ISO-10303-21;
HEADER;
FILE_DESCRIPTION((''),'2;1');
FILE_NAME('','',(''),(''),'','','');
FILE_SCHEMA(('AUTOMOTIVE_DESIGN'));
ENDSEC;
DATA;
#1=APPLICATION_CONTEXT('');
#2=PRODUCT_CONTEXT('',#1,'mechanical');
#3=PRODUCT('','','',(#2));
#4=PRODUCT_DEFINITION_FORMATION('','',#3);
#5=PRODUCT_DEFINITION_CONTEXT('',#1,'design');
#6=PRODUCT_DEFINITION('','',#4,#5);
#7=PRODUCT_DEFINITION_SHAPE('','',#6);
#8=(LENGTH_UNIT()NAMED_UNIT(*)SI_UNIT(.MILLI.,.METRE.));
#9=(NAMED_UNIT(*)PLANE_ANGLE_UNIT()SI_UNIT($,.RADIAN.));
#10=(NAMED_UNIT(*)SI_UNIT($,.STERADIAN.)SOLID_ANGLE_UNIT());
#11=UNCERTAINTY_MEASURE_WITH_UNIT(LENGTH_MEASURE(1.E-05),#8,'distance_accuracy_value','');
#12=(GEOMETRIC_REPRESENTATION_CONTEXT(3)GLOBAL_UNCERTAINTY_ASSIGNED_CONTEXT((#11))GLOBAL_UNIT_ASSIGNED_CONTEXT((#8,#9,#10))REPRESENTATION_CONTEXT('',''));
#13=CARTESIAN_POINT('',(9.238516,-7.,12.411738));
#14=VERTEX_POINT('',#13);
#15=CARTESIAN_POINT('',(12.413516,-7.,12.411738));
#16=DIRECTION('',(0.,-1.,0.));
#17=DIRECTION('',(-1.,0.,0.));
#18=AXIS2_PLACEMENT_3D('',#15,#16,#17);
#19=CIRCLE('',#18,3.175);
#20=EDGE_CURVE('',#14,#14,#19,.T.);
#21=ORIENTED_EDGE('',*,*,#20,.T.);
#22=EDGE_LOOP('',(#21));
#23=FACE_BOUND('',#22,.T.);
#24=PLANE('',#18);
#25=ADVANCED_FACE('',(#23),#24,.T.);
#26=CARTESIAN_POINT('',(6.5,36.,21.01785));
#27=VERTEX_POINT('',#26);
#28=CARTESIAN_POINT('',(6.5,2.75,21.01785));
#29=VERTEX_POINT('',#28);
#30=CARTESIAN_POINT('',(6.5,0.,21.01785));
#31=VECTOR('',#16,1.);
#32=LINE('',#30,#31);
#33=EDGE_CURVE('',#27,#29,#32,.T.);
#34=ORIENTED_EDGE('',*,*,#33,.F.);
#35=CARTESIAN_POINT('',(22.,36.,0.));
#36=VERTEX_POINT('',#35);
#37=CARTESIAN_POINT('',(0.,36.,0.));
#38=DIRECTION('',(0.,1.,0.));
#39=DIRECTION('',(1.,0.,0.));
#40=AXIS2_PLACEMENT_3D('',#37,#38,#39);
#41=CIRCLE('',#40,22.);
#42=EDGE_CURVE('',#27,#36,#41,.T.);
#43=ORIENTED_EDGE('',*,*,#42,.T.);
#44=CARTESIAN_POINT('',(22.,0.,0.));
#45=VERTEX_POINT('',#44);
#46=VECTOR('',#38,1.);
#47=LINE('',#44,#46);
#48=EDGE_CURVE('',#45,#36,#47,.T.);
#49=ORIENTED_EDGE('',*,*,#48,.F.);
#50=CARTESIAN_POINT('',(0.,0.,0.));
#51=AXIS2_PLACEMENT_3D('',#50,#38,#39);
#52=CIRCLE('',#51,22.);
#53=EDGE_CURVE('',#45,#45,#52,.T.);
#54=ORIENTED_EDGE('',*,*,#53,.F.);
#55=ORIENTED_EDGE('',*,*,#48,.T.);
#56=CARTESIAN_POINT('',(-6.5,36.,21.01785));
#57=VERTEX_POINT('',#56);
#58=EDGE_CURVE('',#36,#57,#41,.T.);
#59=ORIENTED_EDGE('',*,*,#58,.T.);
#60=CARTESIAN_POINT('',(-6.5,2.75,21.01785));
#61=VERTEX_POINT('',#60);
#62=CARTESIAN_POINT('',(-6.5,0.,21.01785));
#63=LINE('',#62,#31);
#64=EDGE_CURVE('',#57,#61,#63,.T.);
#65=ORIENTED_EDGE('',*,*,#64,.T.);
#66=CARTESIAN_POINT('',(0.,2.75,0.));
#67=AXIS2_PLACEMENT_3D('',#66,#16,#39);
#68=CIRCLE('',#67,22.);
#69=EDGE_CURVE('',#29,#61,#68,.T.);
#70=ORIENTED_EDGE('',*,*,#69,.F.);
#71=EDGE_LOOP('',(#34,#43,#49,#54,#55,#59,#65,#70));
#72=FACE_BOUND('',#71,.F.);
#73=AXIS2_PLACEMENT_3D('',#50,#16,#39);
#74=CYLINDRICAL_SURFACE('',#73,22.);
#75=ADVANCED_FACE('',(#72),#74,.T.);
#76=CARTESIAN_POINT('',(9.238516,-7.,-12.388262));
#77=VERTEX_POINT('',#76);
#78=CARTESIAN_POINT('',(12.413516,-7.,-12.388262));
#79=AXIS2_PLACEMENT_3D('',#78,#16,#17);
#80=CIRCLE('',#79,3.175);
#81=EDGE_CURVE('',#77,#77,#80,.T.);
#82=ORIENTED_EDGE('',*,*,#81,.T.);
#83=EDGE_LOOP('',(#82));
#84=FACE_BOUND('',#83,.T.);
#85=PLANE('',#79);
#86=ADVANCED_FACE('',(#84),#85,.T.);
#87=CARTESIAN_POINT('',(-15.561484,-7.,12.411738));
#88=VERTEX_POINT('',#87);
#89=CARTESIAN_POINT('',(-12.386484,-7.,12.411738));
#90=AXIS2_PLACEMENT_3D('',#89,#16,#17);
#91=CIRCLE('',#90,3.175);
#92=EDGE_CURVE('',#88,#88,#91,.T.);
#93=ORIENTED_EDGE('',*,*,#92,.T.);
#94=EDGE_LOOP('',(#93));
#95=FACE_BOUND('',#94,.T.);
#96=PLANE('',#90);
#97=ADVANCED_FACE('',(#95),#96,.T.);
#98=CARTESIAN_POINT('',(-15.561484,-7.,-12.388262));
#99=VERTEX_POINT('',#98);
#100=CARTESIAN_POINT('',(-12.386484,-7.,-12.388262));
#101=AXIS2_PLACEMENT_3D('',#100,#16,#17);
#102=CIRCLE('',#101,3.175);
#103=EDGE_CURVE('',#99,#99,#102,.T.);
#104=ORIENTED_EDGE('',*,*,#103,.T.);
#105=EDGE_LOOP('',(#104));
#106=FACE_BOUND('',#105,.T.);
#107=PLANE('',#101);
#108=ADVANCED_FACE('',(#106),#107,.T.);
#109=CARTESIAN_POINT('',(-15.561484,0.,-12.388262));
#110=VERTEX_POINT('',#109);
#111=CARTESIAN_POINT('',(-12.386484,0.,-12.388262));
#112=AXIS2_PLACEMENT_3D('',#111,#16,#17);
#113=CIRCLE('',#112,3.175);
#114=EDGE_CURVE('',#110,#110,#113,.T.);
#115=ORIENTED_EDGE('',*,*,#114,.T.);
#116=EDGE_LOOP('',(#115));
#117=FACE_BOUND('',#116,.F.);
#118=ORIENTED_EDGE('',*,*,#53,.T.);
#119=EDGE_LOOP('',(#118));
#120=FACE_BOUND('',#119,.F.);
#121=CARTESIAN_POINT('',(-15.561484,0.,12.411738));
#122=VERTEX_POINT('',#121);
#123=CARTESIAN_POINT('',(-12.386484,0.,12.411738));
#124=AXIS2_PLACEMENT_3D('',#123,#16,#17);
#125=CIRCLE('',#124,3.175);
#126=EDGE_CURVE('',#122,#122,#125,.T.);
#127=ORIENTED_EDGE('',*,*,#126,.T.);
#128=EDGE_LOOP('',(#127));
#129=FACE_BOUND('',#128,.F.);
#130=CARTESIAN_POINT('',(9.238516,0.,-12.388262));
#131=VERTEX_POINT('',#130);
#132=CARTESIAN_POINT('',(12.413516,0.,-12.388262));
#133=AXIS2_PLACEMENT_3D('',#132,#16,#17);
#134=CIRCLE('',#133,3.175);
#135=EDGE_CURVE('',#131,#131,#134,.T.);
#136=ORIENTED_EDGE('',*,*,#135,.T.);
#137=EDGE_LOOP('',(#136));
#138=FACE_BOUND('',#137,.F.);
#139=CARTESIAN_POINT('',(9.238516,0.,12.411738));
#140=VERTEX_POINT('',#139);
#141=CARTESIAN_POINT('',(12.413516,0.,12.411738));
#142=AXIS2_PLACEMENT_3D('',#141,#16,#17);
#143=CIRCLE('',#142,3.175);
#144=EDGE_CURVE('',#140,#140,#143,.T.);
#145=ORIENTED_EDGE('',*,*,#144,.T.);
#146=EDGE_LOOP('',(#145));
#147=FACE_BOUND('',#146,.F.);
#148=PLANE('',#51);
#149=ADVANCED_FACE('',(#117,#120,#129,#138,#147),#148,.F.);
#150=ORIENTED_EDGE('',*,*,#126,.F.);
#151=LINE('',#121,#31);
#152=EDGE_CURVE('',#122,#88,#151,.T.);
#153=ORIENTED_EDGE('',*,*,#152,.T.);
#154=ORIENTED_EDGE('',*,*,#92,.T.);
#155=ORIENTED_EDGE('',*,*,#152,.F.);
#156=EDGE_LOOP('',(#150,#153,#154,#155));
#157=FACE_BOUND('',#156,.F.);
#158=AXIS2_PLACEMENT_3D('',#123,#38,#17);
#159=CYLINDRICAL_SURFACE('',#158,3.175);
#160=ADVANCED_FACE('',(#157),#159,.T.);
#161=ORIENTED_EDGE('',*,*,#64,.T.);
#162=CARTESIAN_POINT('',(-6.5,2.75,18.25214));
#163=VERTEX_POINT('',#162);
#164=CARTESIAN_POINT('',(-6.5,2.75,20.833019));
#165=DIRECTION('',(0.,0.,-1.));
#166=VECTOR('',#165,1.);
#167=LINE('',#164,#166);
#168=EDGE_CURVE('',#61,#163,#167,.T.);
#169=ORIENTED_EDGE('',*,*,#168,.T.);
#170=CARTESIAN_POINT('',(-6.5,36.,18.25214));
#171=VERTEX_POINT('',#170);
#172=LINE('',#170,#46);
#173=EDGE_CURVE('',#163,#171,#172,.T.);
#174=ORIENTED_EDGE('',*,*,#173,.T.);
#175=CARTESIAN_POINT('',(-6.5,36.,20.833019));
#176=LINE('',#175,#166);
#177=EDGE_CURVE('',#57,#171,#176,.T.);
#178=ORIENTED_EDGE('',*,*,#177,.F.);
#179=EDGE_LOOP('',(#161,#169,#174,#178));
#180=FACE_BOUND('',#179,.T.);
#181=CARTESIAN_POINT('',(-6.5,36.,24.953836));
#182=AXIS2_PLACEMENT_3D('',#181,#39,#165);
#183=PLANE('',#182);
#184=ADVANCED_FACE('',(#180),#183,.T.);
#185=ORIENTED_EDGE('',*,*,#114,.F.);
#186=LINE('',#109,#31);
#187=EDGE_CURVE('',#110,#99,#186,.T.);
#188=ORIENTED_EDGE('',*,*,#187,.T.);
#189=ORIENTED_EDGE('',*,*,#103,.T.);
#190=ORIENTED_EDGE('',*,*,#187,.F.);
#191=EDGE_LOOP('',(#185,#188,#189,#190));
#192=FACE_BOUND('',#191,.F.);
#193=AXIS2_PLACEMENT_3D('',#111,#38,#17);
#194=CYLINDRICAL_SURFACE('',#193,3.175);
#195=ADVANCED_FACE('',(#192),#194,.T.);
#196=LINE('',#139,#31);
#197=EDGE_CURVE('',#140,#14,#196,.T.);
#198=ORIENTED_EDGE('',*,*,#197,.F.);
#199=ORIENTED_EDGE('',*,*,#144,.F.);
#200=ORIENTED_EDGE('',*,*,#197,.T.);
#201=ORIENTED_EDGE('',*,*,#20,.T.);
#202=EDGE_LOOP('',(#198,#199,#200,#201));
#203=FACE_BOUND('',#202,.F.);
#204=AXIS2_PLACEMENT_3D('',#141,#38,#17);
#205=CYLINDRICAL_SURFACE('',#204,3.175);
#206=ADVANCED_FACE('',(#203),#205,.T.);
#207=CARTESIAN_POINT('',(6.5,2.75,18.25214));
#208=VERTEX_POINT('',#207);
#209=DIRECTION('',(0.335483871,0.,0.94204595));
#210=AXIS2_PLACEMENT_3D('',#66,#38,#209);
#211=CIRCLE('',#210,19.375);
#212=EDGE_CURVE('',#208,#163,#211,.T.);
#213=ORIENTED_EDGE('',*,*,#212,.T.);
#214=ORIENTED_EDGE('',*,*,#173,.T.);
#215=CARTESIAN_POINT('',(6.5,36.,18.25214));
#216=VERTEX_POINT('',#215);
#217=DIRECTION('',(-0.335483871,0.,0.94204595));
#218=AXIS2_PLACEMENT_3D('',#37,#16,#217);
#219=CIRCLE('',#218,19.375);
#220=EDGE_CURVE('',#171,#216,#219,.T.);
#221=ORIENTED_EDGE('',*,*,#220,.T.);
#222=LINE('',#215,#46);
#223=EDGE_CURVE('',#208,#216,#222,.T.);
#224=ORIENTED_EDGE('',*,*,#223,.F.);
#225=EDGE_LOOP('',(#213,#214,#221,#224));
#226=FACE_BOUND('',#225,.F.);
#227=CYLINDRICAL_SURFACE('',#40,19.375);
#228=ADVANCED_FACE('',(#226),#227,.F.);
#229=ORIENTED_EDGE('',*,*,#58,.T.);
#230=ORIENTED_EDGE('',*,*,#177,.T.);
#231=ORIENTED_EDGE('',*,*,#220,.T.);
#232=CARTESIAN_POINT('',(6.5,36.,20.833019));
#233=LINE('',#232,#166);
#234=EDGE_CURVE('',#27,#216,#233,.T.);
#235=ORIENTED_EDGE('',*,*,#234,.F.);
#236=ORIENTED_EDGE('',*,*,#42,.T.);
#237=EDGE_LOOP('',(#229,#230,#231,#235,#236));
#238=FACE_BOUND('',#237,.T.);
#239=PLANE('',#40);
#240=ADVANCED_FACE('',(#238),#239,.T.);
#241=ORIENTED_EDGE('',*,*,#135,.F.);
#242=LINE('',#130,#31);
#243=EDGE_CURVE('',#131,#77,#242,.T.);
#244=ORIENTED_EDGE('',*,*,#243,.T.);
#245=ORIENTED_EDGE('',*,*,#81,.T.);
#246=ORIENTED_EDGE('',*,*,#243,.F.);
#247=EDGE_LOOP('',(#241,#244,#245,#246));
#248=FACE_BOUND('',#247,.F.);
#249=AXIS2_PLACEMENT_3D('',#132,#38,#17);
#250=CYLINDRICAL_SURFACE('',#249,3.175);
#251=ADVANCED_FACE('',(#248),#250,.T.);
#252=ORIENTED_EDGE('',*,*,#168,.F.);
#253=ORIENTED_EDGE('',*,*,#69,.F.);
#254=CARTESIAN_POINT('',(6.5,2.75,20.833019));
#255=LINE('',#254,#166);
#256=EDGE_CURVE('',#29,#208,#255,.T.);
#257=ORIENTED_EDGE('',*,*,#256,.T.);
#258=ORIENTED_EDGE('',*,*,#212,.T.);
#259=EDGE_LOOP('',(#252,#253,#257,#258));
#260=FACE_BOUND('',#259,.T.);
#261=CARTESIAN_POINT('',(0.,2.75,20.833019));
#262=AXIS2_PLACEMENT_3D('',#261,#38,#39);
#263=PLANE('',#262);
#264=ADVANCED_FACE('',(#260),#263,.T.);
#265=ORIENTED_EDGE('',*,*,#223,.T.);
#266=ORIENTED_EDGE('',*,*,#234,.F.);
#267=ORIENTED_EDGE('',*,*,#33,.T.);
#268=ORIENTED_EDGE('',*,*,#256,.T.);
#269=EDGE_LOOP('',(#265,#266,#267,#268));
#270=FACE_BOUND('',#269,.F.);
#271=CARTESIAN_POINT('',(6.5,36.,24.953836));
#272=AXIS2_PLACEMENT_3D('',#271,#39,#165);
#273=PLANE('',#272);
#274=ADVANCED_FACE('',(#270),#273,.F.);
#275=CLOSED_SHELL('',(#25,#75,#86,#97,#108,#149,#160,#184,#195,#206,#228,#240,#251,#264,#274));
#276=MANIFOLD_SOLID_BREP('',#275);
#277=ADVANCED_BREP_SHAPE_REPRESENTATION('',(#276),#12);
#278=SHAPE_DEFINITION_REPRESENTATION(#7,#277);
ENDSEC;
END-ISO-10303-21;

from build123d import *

# Parameters (mm, degrees)
SKETCH1_R           = 22
BOSS_EXTRUDE1_DEPTH = 36
SKETCH3_R           = 19.375
CUT_EXTRUDE1_DEPTH  = 33.25
SKETCH4_W           = 13
SKETCH4_H           = 8.241634072
CUT_EXTRUDE2_DEPTH  = 33.25
SKETCH5_R           = 3.175
BOSS_EXTRUDE2_DEPTH = 7


with BuildPart() as part:
    # Sketch1 → Boss-Extrude1 (new body)
    with BuildSketch(Plane(origin=(0, 0, 0), x_dir=(1, 0, 0), z_dir=(0, 1, 0))):
        Circle(SKETCH1_R)
    extrude(amount=BOSS_EXTRUDE1_DEPTH)

    # Sketch3 → Cut-Extrude1 (cut)
    with BuildSketch(Plane(origin=(0, 36, 0), x_dir=(1, 0, 0), z_dir=(0, 1, 0))):
        Circle(SKETCH3_R)
    extrude(amount=-CUT_EXTRUDE1_DEPTH, mode=Mode.SUBTRACT)

    # Sketch4 → Cut-Extrude2 (cut)
    with BuildSketch(Plane(origin=(0, 36, 0), x_dir=(1, 0, 0), z_dir=(0, 1, 0))):
        with Locations((0, -20.83301946)):
            Rectangle(SKETCH4_W, SKETCH4_H)
    extrude(amount=-CUT_EXTRUDE2_DEPTH, mode=Mode.SUBTRACT)

    # Sketch5 → Boss-Extrude2 (add)
    with BuildSketch(Plane(origin=(0, 0, 0), x_dir=(-1, 0, 0), z_dir=(0, -1, 0))):
        with Locations((12.386484202, -12.411737756)):
            Circle(SKETCH5_R)
        with Locations((-12.413515798, -12.411737756)):
            Circle(SKETCH5_R)
        with Locations((-12.413515798, 12.388262244)):
            Circle(SKETCH5_R)
        with Locations((12.386484202, 12.388262244)):
            Circle(SKETCH5_R)
    extrude(amount=BOSS_EXTRUDE2_DEPTH)


solid = part.part
